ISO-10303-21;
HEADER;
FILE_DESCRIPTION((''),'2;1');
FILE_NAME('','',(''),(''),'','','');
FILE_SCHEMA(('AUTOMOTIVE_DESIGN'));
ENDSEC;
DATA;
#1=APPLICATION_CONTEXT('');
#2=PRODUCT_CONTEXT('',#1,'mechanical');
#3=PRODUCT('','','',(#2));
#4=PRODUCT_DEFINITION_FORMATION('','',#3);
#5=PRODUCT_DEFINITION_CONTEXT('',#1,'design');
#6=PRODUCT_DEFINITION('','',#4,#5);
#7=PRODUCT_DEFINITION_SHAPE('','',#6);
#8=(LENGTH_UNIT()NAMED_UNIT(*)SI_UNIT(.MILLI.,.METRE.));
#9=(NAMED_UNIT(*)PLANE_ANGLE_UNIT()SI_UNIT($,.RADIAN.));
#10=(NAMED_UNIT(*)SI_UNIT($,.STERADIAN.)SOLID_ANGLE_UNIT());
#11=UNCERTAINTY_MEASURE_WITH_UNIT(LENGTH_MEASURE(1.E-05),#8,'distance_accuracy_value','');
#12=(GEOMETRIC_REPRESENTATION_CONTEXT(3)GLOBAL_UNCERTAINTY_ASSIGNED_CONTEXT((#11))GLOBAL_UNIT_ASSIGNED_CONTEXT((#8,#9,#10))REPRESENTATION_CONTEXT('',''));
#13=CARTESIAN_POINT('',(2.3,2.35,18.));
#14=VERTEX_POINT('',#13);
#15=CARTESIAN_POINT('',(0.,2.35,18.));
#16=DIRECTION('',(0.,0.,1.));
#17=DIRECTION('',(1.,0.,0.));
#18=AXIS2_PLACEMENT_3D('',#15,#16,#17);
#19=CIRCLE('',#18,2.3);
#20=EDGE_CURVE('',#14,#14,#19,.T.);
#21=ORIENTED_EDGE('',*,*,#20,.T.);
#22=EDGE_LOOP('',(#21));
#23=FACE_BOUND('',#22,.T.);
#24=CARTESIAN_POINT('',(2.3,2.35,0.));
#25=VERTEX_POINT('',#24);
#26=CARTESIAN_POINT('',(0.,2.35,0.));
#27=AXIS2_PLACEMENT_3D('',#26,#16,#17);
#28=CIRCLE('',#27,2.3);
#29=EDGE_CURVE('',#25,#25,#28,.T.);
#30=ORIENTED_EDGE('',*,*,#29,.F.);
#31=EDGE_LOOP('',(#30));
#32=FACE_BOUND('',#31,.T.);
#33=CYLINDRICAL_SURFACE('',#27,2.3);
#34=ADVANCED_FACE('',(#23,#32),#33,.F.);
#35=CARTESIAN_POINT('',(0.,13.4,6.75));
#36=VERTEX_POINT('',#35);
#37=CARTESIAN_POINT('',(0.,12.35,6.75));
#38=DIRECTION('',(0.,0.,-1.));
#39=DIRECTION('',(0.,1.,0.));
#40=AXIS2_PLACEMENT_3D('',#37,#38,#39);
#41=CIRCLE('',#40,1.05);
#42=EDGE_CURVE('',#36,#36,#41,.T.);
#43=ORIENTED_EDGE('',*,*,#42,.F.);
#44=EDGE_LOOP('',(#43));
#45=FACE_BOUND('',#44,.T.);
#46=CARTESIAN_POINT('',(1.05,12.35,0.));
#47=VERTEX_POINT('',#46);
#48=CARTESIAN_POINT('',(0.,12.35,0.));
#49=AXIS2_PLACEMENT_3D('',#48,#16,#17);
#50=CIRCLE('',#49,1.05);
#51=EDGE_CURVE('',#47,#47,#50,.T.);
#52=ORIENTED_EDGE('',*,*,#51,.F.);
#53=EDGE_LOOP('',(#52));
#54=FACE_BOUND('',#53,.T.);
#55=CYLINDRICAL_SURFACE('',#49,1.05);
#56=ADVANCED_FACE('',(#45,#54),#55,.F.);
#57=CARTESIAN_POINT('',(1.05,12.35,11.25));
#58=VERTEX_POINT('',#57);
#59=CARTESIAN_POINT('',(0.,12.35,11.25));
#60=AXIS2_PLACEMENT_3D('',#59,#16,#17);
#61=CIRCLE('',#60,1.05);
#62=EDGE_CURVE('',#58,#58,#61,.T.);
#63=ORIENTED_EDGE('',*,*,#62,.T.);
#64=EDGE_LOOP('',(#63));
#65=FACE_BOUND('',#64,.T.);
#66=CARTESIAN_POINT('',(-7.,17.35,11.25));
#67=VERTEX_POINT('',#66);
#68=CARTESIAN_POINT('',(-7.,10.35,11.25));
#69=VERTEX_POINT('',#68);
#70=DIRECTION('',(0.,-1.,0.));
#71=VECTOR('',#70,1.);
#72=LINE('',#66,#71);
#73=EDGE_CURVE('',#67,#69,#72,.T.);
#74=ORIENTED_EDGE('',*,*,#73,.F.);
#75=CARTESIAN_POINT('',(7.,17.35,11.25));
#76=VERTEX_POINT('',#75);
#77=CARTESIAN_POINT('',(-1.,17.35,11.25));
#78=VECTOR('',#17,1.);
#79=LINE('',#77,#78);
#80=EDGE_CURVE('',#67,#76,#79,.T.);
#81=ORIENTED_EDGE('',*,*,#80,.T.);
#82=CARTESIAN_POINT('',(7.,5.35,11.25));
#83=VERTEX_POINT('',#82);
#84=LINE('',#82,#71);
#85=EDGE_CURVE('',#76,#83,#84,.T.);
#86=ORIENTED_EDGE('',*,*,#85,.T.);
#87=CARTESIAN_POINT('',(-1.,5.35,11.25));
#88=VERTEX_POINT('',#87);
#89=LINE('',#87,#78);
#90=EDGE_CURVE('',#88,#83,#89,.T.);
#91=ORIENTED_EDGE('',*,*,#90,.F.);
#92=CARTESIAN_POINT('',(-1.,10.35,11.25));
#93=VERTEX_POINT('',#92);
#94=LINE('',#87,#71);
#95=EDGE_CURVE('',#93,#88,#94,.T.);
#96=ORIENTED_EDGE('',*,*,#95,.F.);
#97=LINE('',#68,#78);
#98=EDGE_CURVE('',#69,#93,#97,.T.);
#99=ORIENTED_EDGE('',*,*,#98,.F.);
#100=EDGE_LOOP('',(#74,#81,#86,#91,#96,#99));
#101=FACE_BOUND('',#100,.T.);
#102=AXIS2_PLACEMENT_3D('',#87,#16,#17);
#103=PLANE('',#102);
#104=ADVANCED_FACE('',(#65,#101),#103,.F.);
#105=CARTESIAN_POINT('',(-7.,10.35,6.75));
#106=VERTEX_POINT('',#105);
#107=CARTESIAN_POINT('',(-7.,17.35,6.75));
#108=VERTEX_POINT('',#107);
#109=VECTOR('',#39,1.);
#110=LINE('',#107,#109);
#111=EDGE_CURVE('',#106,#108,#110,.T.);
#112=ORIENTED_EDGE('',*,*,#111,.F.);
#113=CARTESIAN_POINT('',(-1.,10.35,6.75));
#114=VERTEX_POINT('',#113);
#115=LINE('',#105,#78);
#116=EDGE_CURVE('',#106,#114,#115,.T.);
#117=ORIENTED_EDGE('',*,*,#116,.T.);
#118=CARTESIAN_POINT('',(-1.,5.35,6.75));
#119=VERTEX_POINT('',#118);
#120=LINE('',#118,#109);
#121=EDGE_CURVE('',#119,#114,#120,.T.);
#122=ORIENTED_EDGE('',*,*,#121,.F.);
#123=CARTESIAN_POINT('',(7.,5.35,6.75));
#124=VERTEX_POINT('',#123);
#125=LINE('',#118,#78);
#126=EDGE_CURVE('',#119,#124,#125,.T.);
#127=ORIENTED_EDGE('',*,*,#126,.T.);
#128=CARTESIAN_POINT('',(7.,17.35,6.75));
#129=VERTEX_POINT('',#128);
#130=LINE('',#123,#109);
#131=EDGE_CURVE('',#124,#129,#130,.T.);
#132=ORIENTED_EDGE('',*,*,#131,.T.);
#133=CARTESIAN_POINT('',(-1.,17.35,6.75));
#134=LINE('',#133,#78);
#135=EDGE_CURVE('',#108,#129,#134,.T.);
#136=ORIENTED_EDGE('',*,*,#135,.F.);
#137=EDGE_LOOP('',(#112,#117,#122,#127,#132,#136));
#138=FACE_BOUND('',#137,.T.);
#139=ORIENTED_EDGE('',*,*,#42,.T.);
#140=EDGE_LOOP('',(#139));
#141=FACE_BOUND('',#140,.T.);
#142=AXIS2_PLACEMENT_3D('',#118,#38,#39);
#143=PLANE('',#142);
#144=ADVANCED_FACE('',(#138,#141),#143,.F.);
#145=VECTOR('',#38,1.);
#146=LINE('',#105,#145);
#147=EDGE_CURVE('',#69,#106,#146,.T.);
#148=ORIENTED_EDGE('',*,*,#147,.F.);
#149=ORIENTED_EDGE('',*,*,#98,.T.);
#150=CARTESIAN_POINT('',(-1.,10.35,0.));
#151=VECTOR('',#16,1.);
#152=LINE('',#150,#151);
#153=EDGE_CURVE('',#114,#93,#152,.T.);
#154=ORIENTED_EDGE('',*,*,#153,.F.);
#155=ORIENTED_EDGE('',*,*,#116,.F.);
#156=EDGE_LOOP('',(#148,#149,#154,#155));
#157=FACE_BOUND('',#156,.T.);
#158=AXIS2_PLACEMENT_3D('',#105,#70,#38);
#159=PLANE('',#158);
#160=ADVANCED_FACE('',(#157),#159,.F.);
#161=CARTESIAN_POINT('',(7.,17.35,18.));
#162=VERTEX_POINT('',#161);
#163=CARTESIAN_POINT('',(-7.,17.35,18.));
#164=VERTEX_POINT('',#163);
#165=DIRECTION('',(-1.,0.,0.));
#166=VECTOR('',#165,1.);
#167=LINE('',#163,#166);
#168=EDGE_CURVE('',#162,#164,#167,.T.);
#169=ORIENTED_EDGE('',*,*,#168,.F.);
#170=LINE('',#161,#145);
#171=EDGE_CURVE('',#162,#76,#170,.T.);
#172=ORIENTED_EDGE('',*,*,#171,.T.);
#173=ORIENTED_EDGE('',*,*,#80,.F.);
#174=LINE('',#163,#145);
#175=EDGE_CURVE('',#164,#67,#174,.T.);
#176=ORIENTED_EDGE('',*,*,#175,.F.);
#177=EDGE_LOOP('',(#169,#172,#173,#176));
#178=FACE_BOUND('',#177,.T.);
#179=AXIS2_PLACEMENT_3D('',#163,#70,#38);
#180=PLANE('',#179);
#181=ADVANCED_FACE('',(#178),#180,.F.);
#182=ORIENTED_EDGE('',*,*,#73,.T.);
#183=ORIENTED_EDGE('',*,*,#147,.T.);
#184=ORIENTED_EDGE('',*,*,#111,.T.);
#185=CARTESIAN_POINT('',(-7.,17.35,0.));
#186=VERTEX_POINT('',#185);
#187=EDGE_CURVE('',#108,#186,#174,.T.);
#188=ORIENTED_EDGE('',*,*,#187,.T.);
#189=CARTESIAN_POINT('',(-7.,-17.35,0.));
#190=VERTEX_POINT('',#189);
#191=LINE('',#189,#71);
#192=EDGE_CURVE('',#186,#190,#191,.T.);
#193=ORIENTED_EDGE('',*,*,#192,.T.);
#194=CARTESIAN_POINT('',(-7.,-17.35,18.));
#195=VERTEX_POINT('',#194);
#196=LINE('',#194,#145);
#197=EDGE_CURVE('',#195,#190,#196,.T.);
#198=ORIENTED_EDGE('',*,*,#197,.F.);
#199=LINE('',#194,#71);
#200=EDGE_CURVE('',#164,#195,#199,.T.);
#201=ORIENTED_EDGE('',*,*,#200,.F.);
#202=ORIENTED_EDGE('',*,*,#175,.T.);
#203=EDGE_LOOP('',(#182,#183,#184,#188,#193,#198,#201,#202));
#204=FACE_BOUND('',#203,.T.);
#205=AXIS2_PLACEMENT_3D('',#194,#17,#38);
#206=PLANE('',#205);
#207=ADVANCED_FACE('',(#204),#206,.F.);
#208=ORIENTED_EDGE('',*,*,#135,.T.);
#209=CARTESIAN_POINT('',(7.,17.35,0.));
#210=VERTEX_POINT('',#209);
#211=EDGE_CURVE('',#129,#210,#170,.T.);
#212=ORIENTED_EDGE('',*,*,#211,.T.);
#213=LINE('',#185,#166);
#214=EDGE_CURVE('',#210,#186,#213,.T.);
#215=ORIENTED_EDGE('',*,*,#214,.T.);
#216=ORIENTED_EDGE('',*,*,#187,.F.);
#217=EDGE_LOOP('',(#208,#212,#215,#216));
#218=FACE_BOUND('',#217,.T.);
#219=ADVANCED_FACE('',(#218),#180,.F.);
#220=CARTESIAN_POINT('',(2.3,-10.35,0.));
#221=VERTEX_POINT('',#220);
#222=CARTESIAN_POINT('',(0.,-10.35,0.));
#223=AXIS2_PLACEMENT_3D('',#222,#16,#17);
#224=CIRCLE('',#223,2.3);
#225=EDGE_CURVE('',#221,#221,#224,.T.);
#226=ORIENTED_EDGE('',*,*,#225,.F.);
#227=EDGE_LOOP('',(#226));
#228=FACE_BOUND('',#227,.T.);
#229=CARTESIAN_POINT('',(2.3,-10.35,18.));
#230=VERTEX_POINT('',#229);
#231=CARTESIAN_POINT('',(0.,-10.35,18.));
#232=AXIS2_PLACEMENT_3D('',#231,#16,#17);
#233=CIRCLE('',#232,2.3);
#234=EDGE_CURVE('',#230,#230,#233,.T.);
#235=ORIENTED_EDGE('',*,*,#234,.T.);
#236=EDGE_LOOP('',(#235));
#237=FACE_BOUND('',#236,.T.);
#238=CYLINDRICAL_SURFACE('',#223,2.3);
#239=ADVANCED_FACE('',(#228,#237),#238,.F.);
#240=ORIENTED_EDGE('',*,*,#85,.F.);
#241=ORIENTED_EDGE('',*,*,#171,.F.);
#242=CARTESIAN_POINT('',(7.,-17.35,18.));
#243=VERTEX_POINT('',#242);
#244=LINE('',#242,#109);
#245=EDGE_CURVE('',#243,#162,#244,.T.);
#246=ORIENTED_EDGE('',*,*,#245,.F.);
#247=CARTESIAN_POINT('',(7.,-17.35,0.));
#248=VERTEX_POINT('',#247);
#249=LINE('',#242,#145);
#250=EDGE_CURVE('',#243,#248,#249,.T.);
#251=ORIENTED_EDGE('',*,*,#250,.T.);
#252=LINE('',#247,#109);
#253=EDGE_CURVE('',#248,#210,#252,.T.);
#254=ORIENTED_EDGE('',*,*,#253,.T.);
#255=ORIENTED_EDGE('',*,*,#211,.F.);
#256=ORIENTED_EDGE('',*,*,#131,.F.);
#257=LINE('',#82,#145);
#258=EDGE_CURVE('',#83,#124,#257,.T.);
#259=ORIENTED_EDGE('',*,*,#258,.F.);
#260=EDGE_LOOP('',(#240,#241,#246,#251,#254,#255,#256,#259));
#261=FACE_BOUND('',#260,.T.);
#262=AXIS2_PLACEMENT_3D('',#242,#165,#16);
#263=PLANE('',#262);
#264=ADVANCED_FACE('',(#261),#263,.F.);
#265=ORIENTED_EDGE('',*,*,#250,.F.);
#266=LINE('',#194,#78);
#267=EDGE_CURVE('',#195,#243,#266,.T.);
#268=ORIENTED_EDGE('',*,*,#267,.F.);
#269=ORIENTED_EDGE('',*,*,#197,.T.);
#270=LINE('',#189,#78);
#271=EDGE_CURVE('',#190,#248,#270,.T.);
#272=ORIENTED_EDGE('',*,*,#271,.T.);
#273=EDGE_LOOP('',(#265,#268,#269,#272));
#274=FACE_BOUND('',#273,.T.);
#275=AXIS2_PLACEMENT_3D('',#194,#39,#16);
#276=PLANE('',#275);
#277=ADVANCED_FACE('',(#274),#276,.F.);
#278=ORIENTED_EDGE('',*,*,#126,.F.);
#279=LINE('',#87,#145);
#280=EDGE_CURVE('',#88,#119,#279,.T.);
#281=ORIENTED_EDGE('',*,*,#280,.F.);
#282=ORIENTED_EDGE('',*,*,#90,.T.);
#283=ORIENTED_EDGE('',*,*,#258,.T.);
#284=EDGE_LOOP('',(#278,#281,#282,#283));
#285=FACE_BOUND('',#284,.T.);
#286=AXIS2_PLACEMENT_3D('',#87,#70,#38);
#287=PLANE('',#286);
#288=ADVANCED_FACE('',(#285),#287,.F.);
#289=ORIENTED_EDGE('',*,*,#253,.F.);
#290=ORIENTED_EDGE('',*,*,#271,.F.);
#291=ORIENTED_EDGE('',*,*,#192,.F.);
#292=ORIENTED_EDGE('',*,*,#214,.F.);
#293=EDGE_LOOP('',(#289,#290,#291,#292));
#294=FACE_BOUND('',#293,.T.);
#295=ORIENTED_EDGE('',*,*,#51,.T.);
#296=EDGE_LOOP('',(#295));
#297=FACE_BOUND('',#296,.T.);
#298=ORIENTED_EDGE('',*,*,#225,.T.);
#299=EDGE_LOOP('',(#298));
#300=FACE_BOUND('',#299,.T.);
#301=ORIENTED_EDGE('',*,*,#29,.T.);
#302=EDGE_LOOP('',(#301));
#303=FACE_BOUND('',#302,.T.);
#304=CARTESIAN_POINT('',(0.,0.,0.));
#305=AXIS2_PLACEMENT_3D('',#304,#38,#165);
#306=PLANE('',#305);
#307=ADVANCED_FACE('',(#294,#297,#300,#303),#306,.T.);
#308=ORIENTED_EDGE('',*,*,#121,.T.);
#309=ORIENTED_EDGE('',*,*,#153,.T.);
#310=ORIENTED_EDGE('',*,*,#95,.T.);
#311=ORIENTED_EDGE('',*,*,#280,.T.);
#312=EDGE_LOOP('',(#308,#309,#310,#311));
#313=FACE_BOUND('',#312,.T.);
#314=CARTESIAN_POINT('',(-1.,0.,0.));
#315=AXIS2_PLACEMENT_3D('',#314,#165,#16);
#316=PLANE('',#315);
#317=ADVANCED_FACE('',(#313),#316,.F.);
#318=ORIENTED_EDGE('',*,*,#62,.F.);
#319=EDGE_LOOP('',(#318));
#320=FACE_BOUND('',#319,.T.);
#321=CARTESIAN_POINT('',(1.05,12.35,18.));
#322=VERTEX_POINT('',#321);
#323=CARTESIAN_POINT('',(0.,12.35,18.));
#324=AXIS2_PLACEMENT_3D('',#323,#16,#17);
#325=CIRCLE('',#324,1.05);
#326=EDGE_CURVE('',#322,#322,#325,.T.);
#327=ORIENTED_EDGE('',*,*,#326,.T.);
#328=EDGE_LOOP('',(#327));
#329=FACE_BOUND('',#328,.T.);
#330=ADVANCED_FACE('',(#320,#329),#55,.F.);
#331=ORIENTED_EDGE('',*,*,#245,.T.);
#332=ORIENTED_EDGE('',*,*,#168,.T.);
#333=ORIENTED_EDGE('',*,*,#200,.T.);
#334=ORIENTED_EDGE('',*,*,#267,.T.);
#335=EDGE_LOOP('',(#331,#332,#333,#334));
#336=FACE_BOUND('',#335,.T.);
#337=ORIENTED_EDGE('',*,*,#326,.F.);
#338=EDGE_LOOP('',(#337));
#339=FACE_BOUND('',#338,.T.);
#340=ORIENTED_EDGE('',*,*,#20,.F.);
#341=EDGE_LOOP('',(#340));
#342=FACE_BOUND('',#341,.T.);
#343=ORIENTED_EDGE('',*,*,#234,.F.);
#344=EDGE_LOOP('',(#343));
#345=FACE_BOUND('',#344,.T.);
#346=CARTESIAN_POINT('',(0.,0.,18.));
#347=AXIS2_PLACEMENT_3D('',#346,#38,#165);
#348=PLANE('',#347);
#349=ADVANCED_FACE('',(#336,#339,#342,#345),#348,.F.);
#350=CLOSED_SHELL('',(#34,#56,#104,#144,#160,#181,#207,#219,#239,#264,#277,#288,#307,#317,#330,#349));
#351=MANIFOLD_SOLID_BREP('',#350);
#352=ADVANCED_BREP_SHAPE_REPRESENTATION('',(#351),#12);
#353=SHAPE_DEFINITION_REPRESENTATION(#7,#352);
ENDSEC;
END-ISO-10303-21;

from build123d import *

# Parameters (mm, degrees)
SKETCH2_W           = 14
SKETCH2_H           = 34.7
BOSS_EXTRUDE1_DEPTH = 18
SKETCH3_R           = 2.3
CUT_EXTRUDE1_DEPTH  = 26.961943302
SKETCH4_W           = 4.5
SKETCH4_H           = 12
CUT_EXTRUDE2_DEPTH  = 8
SKETCH5_R           = 1.05
CUT_EXTRUDE3_DEPTH  = 26.961943302
SKETCH8_W           = 4.5
SKETCH8_H           = 7
CUT_EXTRUDE6_DEPTH  = 29.653490189


with BuildPart() as part:
    # Sketch2 → Boss-Extrude1 (new body)
    with BuildSketch(Plane.XY):
        Rectangle(SKETCH2_W, SKETCH2_H)
    extrude(amount=BOSS_EXTRUDE1_DEPTH)

    # Sketch3 → Cut-Extrude1 (cut, through all)
    with BuildSketch(Plane.XY.offset(18)):
        with Locations((0, -10.35)):
            Circle(SKETCH3_R)
        with Locations((0, 2.35)):
            Circle(SKETCH3_R)
    extrude(amount=-CUT_EXTRUDE1_DEPTH, mode=Mode.SUBTRACT)

    # Sketch4 → Cut-Extrude2 (cut)
    with BuildSketch(Plane(origin=(7, 0, 0), x_dir=(0, 0, -1), z_dir=(1, 0, 0))):
        with Locations((-9, 11.35)):
            Rectangle(SKETCH4_W, SKETCH4_H)
    extrude(amount=-CUT_EXTRUDE2_DEPTH, mode=Mode.SUBTRACT)

    # Sketch5 → Cut-Extrude3 (cut, through all)
    with BuildSketch(Plane.XY.offset(18)):
        with Locations((0, 12.35)):
            Circle(SKETCH5_R)
    extrude(amount=-CUT_EXTRUDE3_DEPTH, mode=Mode.SUBTRACT)

    # Sketch8 → Cut-Extrude6 (cut, through all)
    with BuildSketch(Plane(origin=(7, 0, 0), x_dir=(0, 0, -1), z_dir=(1, 0, 0))):
        with Locations((-9, 13.85)):
            Rectangle(SKETCH8_W, SKETCH8_H)
    extrude(amount=-CUT_EXTRUDE6_DEPTH, mode=Mode.SUBTRACT)


solid = part.part
